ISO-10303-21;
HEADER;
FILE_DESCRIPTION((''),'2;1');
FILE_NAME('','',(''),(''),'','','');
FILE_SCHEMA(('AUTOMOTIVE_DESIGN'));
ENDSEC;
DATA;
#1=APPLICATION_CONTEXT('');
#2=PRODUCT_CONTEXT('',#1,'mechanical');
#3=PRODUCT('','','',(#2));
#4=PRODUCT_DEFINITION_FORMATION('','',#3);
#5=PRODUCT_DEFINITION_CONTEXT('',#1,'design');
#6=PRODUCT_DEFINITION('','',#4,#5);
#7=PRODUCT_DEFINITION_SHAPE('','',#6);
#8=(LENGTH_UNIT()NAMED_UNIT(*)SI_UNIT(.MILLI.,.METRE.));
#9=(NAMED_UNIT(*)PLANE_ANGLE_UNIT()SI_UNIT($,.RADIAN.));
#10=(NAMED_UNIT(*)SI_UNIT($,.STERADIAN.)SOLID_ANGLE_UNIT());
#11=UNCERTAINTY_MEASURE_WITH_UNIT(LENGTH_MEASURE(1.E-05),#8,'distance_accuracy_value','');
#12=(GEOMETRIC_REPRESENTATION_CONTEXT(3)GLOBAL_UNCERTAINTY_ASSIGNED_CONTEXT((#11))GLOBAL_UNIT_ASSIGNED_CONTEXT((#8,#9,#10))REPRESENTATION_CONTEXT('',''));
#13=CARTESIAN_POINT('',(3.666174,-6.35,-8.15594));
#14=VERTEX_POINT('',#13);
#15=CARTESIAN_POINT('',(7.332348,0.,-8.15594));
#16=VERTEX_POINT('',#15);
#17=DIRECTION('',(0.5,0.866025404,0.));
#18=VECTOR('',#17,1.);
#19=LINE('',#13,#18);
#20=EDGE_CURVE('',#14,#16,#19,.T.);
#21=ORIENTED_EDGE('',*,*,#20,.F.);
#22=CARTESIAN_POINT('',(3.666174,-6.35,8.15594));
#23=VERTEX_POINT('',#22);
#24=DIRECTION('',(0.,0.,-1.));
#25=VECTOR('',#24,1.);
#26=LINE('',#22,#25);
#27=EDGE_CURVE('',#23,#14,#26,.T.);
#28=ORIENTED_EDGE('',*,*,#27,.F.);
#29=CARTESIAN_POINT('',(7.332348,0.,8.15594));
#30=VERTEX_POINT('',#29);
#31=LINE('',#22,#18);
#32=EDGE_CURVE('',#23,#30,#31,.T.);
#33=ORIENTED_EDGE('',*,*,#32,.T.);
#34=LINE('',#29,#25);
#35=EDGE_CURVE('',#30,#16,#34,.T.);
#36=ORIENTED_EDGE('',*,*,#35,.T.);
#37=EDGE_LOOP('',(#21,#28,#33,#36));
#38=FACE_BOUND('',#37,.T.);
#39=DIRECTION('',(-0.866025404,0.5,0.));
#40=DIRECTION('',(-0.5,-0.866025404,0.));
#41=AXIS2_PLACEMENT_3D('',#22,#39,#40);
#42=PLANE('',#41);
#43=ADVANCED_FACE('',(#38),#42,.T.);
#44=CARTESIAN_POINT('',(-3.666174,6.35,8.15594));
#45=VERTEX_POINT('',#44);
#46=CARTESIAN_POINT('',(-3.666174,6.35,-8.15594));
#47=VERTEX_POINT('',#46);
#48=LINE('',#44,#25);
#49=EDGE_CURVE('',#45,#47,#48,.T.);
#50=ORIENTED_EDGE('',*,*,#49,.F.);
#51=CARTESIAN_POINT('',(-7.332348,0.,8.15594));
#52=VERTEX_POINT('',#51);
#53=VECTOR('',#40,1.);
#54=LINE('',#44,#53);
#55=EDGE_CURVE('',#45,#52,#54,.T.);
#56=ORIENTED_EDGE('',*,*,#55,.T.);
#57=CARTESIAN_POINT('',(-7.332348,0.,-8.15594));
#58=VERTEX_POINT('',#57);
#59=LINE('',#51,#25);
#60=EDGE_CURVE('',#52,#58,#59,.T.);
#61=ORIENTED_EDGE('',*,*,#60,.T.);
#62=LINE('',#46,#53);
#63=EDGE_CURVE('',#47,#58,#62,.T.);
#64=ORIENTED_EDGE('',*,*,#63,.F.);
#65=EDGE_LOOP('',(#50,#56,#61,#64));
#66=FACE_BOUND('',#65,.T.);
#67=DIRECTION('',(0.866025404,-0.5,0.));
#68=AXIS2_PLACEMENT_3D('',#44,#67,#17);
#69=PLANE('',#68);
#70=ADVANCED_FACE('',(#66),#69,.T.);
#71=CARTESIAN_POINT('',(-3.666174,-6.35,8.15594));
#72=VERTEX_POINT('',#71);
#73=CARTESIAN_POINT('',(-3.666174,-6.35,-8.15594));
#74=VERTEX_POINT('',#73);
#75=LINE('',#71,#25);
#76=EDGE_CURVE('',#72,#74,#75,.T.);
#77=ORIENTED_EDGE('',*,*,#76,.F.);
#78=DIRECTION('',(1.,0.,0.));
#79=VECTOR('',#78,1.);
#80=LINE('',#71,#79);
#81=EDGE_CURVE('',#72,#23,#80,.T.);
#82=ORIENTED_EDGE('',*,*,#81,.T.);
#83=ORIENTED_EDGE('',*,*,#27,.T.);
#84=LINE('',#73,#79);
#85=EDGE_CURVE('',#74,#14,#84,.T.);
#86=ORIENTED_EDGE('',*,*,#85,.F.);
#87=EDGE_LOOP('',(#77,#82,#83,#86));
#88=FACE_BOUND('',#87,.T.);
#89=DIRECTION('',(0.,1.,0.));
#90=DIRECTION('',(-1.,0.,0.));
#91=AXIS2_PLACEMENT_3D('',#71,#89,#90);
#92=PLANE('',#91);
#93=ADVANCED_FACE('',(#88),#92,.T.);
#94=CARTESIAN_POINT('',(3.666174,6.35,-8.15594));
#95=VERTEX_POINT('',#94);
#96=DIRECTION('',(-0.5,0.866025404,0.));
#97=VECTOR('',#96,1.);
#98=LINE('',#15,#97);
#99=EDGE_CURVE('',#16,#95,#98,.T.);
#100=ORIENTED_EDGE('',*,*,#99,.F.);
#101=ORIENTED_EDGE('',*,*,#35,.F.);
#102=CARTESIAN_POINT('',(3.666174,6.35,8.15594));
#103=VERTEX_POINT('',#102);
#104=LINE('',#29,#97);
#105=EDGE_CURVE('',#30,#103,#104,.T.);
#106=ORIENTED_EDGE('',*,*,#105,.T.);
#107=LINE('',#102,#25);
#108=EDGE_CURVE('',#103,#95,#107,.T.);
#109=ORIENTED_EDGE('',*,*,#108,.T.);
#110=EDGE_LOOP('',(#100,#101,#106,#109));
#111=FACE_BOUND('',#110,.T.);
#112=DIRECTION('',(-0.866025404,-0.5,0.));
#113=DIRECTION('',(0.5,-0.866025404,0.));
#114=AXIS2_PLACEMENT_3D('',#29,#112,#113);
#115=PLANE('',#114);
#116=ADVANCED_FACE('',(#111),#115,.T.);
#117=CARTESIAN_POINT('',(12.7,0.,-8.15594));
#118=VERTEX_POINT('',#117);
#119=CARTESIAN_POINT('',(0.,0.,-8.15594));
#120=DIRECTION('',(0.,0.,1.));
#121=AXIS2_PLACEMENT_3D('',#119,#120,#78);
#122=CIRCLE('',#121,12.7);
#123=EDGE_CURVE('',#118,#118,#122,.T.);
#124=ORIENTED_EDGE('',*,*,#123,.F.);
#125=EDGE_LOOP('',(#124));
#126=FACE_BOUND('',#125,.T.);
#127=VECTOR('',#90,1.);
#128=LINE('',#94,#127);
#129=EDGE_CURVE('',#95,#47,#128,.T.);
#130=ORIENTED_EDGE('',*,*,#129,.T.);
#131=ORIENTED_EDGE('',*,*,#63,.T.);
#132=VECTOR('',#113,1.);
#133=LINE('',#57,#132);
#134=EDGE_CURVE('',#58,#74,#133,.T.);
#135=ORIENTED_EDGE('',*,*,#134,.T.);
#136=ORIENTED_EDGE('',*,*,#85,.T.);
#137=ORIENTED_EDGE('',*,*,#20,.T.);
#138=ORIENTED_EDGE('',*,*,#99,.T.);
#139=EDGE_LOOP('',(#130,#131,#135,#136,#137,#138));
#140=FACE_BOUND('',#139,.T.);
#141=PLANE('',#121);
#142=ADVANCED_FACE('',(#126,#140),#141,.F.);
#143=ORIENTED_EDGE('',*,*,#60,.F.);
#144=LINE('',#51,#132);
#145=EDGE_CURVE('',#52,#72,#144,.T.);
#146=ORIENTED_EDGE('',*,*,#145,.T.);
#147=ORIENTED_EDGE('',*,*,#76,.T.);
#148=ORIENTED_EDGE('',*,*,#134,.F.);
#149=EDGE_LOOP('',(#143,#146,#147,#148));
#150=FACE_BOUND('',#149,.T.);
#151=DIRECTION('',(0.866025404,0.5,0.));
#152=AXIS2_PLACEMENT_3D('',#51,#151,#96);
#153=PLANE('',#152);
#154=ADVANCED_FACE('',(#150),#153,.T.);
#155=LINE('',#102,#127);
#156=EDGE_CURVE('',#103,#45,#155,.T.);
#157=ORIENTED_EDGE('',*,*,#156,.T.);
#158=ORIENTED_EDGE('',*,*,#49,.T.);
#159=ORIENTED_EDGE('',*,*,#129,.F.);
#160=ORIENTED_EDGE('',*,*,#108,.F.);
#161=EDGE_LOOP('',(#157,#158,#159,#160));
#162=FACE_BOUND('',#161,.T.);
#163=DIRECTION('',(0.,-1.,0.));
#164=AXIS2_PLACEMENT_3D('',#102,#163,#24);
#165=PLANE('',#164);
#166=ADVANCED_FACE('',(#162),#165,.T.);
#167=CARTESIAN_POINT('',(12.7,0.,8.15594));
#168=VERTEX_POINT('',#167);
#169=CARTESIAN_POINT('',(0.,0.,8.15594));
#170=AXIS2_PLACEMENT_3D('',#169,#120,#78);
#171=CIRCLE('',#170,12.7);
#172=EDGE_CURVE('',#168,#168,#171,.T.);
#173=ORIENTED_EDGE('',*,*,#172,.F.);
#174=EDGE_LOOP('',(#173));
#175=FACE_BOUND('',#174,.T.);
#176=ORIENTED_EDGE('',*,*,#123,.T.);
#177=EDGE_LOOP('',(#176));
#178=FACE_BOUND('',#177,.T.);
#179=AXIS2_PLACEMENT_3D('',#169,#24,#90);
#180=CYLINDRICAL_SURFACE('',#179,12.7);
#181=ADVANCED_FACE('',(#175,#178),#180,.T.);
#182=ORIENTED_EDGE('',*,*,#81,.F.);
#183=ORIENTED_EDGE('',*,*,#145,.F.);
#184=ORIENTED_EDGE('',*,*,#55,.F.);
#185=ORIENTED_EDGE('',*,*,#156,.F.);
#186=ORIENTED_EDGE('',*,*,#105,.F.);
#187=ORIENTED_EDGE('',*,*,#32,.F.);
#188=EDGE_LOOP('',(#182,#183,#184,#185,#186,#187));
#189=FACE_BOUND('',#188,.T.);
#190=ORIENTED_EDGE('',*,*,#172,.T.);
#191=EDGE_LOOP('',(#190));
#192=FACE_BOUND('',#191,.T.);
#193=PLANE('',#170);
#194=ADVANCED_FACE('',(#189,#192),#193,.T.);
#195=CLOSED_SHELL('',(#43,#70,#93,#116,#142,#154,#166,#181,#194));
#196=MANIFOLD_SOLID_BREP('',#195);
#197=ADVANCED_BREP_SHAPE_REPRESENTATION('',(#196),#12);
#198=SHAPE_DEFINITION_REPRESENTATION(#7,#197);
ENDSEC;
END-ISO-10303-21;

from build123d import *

# Parameters (mm, degrees)
SKETCH1_R           = 12.7
BOSS_EXTRUDE1_DEPTH = 8.15594


with BuildPart() as part:
    # Sketch1 → Boss-Extrude1 (new, symmetric)
    with BuildSketch(Plane.XY):
        Circle(SKETCH1_R)
        Polygon((-7.332348419, 0), (-3.666174209, -6.35), (3.666174209, -6.35), (7.332348419, 0), (3.666174209, 6.35), (-3.666174209, 6.35), align=None, mode=Mode.SUBTRACT)
    extrude(amount=BOSS_EXTRUDE1_DEPTH, both=True)


solid = part.part
